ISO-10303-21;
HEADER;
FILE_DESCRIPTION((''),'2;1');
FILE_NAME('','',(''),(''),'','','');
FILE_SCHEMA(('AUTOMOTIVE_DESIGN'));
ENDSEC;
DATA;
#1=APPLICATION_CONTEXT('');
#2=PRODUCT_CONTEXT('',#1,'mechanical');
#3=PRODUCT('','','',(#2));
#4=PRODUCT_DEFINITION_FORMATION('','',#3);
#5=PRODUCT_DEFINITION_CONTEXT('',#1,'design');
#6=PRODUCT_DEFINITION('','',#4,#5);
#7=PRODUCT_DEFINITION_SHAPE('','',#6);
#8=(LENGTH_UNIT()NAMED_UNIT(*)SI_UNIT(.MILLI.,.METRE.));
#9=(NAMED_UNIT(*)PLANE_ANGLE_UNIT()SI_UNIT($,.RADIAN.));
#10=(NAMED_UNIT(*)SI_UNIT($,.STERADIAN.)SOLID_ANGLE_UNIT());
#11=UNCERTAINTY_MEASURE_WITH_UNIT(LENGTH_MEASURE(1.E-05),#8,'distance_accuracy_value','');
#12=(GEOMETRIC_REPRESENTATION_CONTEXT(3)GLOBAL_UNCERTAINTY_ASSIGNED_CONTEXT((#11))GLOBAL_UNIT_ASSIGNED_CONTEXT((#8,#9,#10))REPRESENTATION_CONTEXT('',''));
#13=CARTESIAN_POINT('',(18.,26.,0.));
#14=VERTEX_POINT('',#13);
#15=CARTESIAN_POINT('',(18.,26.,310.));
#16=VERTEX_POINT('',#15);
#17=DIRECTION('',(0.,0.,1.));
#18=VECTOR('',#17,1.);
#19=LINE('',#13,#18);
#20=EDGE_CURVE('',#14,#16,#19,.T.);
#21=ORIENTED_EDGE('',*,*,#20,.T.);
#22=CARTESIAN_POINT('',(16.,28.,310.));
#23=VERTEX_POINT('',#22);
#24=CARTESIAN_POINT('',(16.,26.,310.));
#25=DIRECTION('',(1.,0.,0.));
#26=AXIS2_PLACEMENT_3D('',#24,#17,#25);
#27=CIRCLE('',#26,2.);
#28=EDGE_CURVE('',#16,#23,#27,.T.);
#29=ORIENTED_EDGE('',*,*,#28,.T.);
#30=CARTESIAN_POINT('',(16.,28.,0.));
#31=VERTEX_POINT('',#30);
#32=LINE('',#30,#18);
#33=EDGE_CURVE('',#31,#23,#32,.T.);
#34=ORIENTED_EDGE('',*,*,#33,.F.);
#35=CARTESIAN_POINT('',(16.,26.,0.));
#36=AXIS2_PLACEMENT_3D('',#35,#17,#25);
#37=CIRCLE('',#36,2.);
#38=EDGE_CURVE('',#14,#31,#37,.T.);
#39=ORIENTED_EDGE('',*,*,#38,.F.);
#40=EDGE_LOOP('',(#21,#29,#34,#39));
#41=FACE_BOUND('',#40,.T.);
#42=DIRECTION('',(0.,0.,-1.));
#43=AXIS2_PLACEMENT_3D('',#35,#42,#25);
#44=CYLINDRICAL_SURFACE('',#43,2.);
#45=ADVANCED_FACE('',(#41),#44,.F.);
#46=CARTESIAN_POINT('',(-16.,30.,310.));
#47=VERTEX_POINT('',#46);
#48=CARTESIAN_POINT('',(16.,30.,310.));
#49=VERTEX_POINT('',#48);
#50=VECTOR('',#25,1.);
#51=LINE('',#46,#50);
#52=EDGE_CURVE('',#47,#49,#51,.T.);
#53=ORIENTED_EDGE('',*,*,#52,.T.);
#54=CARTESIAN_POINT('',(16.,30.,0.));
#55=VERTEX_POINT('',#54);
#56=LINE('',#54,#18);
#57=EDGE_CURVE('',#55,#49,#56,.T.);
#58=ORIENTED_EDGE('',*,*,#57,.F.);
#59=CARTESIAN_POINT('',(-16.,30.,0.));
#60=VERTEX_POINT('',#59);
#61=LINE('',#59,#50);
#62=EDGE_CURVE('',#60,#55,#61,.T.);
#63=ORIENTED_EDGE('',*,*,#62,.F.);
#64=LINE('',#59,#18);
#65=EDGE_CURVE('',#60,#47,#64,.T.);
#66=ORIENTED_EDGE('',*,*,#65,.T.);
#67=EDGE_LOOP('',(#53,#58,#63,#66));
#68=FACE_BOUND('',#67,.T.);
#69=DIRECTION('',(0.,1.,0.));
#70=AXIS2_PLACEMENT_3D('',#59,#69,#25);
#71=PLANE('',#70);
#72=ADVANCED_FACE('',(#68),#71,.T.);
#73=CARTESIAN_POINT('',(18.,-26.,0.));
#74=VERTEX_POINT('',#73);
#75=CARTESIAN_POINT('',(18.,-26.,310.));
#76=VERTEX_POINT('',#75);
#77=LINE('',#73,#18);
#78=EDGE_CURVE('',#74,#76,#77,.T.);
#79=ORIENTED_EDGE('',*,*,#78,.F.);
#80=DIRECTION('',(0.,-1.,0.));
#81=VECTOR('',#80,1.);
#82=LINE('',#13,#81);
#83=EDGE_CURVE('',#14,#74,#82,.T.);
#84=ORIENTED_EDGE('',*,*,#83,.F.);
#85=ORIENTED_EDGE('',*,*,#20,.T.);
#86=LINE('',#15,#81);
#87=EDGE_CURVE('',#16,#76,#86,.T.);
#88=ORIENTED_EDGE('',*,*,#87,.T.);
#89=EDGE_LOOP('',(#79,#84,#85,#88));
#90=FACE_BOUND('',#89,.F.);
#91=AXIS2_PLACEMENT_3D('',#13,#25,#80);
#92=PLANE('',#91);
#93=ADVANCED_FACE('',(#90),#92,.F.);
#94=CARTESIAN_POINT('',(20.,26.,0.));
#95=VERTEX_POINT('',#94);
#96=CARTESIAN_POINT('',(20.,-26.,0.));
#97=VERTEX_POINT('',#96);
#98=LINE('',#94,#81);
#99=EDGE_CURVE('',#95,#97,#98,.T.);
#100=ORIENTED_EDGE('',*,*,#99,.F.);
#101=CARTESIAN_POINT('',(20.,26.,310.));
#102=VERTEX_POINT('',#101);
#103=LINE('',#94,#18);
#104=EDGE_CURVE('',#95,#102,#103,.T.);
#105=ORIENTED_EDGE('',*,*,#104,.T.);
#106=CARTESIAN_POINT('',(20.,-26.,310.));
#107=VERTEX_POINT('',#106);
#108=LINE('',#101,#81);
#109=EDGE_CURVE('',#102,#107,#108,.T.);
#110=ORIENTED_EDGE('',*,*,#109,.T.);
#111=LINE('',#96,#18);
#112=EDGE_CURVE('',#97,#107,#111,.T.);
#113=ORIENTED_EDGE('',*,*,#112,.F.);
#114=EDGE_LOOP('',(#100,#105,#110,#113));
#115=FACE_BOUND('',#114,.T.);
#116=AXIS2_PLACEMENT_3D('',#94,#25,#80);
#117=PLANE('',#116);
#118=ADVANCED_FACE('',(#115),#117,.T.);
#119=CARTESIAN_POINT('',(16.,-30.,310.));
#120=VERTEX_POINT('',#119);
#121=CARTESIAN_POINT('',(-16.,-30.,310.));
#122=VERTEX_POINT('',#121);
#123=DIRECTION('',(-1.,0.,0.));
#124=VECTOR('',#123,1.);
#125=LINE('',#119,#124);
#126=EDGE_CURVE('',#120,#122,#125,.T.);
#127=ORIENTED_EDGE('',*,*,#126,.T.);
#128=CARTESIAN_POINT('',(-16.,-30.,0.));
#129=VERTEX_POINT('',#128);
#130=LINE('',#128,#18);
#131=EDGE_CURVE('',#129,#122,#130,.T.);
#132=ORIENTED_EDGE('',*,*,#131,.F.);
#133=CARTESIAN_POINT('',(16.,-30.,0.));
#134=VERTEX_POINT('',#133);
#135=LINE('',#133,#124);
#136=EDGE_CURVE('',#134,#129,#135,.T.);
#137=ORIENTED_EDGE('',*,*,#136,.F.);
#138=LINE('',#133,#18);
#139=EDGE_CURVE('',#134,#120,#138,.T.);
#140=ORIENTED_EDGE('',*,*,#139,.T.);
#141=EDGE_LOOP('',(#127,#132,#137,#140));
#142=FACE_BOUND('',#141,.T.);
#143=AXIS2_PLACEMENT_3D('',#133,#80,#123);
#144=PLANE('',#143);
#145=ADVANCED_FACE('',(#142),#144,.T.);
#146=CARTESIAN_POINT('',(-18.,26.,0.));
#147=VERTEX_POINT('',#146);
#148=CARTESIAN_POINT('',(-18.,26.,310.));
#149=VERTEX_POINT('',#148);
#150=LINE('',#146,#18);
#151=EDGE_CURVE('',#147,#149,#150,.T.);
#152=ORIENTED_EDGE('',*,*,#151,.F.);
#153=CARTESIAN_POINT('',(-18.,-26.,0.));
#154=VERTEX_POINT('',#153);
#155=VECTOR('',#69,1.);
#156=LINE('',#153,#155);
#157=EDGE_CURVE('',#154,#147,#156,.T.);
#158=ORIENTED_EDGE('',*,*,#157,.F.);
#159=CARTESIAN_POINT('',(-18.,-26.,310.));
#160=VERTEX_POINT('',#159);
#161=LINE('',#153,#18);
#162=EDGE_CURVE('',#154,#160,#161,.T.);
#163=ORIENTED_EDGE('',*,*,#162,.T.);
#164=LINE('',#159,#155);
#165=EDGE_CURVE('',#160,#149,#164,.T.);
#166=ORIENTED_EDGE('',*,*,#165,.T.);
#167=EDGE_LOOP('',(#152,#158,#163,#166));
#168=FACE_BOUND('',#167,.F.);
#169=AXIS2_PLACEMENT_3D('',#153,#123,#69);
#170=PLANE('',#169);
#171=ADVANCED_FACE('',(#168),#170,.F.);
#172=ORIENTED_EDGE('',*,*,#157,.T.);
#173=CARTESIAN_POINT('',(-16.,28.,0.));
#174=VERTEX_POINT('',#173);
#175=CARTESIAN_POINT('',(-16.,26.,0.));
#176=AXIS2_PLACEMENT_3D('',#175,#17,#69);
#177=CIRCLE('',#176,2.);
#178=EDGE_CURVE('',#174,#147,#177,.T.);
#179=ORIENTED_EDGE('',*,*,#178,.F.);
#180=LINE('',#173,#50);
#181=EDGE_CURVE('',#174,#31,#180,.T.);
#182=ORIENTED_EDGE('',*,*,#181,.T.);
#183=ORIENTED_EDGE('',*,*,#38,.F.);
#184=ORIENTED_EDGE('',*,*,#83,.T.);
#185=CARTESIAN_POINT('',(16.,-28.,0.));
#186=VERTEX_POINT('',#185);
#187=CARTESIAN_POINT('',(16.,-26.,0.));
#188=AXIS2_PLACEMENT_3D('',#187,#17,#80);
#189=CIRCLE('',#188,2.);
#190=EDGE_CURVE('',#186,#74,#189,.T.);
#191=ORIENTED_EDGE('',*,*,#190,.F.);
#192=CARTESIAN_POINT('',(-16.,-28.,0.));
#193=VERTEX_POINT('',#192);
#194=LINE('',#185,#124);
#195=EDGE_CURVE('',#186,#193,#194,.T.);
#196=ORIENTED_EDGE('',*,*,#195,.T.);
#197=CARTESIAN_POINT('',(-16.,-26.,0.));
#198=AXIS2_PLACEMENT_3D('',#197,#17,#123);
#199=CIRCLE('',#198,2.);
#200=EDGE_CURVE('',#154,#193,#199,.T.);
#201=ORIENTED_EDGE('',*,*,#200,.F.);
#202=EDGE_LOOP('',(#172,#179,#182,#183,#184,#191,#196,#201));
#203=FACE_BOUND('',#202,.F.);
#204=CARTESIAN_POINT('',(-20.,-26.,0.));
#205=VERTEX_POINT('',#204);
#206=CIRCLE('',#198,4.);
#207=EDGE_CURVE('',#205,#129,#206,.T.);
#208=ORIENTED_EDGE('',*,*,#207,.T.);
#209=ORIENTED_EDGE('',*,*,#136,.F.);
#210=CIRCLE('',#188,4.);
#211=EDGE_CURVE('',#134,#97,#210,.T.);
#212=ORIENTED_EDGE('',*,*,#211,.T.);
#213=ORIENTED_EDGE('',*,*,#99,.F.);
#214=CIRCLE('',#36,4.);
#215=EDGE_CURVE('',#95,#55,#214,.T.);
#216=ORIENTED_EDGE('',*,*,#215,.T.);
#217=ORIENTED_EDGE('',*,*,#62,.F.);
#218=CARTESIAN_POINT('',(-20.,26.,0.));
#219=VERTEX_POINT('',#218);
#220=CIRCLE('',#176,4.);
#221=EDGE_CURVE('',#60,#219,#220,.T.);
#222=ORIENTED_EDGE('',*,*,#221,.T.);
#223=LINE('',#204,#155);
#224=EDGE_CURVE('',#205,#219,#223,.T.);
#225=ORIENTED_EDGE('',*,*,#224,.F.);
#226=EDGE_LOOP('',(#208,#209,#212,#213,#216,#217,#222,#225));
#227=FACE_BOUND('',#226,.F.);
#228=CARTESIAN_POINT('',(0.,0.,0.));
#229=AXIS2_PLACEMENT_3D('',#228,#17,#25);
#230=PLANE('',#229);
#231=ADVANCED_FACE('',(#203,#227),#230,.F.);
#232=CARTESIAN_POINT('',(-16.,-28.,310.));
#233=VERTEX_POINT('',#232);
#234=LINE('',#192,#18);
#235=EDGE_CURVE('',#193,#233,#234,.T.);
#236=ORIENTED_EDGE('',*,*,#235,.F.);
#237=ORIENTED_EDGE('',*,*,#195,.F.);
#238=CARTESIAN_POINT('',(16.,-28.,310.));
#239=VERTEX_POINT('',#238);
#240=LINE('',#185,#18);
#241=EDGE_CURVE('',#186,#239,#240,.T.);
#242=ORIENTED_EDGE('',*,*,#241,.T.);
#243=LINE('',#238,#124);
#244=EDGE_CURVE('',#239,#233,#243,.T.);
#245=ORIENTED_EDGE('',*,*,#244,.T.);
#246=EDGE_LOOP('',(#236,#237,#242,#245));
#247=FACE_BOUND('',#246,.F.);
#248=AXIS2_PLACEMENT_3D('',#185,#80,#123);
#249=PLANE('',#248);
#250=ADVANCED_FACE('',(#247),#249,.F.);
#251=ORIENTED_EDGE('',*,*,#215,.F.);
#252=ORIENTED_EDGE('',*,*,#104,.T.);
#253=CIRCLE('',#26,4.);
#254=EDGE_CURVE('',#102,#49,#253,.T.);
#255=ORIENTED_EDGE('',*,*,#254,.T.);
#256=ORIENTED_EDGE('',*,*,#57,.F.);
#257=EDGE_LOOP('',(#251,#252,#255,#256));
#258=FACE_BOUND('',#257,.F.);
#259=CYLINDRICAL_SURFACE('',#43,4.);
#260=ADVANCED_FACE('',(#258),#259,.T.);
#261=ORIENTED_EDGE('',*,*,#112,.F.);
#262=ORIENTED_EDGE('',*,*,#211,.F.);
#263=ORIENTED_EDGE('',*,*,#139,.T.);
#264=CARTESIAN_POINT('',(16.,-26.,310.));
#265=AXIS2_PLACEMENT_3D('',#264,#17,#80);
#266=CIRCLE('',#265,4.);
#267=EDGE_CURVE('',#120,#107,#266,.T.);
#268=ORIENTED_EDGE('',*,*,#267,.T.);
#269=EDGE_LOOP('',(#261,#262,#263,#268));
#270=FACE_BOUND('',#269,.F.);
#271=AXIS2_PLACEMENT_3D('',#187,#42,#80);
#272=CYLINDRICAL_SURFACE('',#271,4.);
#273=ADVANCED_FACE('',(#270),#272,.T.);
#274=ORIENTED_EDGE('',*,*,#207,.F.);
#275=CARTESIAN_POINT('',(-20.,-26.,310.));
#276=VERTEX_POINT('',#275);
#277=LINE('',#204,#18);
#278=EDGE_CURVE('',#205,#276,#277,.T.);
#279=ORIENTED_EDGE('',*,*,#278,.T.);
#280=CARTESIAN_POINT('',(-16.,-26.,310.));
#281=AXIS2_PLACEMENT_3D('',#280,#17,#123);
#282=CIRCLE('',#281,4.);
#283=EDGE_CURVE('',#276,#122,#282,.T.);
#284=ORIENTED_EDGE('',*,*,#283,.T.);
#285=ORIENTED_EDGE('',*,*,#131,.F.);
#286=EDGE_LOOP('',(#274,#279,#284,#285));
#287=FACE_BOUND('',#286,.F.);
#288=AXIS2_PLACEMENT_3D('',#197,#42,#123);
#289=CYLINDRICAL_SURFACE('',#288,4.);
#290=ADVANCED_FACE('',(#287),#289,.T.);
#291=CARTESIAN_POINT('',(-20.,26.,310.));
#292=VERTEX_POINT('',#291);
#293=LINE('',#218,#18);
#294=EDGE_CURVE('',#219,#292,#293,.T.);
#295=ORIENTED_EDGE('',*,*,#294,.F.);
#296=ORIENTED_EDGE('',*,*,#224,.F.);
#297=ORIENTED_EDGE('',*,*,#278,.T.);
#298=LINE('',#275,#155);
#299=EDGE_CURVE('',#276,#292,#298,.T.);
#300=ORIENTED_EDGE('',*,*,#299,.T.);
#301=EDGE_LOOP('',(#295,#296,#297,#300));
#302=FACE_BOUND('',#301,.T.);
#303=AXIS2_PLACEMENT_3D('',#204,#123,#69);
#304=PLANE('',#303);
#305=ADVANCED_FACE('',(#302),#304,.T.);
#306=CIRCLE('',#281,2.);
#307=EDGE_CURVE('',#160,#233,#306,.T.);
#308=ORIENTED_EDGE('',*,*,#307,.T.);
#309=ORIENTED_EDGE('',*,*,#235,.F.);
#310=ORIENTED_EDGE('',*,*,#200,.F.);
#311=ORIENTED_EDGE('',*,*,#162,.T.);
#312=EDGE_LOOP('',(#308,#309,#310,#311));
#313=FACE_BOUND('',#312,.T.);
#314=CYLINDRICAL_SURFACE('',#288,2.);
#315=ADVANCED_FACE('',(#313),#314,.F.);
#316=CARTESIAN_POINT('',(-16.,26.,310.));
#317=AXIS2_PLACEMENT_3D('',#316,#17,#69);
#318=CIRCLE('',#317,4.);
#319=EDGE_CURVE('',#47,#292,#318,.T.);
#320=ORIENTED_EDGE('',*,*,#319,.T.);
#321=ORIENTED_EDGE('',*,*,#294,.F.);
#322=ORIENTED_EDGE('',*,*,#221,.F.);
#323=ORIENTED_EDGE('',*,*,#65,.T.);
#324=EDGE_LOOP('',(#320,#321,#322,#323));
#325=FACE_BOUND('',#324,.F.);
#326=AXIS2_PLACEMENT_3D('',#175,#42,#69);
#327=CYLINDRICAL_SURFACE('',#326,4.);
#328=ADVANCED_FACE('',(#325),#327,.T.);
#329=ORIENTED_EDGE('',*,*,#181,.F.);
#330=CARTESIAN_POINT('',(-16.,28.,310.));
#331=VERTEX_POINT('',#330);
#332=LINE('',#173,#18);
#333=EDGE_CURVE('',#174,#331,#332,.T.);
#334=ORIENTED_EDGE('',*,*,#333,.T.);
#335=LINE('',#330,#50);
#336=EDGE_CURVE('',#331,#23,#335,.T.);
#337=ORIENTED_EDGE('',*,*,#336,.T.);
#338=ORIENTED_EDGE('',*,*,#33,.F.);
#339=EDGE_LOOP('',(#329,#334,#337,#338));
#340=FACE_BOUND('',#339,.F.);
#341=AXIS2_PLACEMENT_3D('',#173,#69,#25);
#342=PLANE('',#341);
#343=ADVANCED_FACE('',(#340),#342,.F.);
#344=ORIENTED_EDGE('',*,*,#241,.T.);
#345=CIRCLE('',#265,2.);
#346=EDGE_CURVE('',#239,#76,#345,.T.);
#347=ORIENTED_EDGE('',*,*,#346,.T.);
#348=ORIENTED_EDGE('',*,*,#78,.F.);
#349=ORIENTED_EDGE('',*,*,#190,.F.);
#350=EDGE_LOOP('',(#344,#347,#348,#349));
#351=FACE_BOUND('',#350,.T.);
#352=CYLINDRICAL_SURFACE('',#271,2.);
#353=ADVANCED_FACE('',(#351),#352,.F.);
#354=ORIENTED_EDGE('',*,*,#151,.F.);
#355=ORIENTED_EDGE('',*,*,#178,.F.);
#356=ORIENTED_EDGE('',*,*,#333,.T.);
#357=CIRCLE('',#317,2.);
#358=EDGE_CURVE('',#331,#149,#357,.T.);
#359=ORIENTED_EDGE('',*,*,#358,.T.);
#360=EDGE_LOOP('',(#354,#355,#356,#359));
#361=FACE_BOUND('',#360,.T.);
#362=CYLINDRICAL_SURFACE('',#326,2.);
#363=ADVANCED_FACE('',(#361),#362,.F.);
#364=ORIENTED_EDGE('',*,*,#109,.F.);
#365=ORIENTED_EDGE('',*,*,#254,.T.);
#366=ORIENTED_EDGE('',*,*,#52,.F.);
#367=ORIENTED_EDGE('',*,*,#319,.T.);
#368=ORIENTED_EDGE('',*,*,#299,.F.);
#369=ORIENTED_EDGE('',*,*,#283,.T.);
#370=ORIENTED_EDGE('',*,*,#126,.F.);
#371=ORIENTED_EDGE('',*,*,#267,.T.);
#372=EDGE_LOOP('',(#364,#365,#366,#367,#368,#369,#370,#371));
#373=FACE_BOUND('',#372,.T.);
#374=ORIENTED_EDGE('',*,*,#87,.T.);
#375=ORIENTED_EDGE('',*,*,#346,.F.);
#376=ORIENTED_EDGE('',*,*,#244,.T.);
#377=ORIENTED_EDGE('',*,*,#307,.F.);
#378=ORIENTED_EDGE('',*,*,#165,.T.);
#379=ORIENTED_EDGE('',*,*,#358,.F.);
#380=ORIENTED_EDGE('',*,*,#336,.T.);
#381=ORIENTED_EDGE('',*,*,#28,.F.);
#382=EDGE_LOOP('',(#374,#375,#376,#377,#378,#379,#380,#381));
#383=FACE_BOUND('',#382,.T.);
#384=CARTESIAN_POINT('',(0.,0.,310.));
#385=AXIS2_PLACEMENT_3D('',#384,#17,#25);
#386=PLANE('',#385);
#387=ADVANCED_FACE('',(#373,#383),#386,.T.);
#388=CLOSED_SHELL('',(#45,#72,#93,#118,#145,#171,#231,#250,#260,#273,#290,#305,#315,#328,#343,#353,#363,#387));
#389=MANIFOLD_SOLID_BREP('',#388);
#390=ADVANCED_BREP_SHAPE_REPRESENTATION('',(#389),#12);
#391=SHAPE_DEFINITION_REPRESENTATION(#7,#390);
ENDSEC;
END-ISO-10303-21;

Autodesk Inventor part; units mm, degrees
ref_plane "YZ Plane" through (0, 0, 0) normal (1, 0, 0) x (0, 1, 0)
ref_plane "Start plane" through (0, 0, 0) normal (0, 0, 1) x (1, 0, 0)
ref_plane "End plane" through (0, 0, 310) normal (0, 0, 1) x (1, 0, 0)
sketch "Sketch" plane through (0, 0, 0) normal (0, 0, 1) x (1, 0, 0)
  line L0 (-20, -26) -> (-20, 26)
  line L1 (-16, 30) -> (16, 30)
  line L2 (20, 26) -> (20, -26)
  line L3 (16, -30) -> (-16, -30)
  arc A0 (-20, -26) -> (-16, -30) centre (-16, -26) ccw
  arc A1 (20, 26) -> (16, 30) centre (16, 26) ccw
  arc A2 (-16, 30) -> (-20, 26) centre (-16, 26) ccw
  arc A3 (16, -30) -> (20, -26) centre (16, -26) ccw
  arc A4 (-16, 28) -> (-18, 26) centre (-16, 26) ccw
  line L4 (-16, 28) -> (16, 28)
  arc A5 (18, 26) -> (16, 28) centre (16, 26) ccw
  line L5 (18, 26) -> (18, -26)
  arc A6 (16, -28) -> (18, -26) centre (16, -26) ccw
  line L6 (16, -28) -> (-16, -28)
  arc A7 (-18, -26) -> (-16, -28) centre (-16, -26) ccw
  line L7 (-18, -26) -> (-18, 26)
  line L8 (0, 43.1598) -> (0, -43.1598) construction
  line L9 (-29.1598, 0) -> (29.1598, 0) construction
  dimension "d7" = 4
  dimension "d9" = 40
  dimension "d11" = 60
  dimension "d12" = 2
  dimension "d15" = 20
  dimension "d16" = 30
extrude "Body" add sketch "Sketch" along normal up to surface (310 mm away) from surface at 0
sketch "Sketch3" plane through (0, 0, 0) normal (0, 0, 1) x (1, 0, 0)
  line L0 (0, 0) -> (10, 0)
ref_plane "Work Plane3" through (0, 0, 0) normal (0, -1, 0) x (1, 0, 0)
sketch "Sketch4" plane through (0, 0, 0) normal (0, -1, 0) x (1, 0, 0)
  line L0 (-2, 0) -> (12, 0)
  line L1 (-2, 310) -> (12, 310)
  dimension "d18" = 310
equation "\"d7\" = G_IR"
equation "\"d9\" = G_W"
equation "\"d11\" = G_H"
equation "\"d12\" = G_T"
equation "\"d15\" = 0.5 * d9"
equation "\"d16\" = 0.5 * d11"
equation "\"d3\" = G_L"
equation "\"G_W\" = 40"
equation "\"G_H\" = 60"
equation "\"G_T\" = 2"
equation "\"G_IR\" = 4"
equation "\"G_L\" = d18"
equation "\"G_OFFSET_START\" = 0"
equation "\"G_OFFSET_END\" = 0"
properties part number "ISO 4019 - 60x40x2 - 310" material "Steel, Mild"
